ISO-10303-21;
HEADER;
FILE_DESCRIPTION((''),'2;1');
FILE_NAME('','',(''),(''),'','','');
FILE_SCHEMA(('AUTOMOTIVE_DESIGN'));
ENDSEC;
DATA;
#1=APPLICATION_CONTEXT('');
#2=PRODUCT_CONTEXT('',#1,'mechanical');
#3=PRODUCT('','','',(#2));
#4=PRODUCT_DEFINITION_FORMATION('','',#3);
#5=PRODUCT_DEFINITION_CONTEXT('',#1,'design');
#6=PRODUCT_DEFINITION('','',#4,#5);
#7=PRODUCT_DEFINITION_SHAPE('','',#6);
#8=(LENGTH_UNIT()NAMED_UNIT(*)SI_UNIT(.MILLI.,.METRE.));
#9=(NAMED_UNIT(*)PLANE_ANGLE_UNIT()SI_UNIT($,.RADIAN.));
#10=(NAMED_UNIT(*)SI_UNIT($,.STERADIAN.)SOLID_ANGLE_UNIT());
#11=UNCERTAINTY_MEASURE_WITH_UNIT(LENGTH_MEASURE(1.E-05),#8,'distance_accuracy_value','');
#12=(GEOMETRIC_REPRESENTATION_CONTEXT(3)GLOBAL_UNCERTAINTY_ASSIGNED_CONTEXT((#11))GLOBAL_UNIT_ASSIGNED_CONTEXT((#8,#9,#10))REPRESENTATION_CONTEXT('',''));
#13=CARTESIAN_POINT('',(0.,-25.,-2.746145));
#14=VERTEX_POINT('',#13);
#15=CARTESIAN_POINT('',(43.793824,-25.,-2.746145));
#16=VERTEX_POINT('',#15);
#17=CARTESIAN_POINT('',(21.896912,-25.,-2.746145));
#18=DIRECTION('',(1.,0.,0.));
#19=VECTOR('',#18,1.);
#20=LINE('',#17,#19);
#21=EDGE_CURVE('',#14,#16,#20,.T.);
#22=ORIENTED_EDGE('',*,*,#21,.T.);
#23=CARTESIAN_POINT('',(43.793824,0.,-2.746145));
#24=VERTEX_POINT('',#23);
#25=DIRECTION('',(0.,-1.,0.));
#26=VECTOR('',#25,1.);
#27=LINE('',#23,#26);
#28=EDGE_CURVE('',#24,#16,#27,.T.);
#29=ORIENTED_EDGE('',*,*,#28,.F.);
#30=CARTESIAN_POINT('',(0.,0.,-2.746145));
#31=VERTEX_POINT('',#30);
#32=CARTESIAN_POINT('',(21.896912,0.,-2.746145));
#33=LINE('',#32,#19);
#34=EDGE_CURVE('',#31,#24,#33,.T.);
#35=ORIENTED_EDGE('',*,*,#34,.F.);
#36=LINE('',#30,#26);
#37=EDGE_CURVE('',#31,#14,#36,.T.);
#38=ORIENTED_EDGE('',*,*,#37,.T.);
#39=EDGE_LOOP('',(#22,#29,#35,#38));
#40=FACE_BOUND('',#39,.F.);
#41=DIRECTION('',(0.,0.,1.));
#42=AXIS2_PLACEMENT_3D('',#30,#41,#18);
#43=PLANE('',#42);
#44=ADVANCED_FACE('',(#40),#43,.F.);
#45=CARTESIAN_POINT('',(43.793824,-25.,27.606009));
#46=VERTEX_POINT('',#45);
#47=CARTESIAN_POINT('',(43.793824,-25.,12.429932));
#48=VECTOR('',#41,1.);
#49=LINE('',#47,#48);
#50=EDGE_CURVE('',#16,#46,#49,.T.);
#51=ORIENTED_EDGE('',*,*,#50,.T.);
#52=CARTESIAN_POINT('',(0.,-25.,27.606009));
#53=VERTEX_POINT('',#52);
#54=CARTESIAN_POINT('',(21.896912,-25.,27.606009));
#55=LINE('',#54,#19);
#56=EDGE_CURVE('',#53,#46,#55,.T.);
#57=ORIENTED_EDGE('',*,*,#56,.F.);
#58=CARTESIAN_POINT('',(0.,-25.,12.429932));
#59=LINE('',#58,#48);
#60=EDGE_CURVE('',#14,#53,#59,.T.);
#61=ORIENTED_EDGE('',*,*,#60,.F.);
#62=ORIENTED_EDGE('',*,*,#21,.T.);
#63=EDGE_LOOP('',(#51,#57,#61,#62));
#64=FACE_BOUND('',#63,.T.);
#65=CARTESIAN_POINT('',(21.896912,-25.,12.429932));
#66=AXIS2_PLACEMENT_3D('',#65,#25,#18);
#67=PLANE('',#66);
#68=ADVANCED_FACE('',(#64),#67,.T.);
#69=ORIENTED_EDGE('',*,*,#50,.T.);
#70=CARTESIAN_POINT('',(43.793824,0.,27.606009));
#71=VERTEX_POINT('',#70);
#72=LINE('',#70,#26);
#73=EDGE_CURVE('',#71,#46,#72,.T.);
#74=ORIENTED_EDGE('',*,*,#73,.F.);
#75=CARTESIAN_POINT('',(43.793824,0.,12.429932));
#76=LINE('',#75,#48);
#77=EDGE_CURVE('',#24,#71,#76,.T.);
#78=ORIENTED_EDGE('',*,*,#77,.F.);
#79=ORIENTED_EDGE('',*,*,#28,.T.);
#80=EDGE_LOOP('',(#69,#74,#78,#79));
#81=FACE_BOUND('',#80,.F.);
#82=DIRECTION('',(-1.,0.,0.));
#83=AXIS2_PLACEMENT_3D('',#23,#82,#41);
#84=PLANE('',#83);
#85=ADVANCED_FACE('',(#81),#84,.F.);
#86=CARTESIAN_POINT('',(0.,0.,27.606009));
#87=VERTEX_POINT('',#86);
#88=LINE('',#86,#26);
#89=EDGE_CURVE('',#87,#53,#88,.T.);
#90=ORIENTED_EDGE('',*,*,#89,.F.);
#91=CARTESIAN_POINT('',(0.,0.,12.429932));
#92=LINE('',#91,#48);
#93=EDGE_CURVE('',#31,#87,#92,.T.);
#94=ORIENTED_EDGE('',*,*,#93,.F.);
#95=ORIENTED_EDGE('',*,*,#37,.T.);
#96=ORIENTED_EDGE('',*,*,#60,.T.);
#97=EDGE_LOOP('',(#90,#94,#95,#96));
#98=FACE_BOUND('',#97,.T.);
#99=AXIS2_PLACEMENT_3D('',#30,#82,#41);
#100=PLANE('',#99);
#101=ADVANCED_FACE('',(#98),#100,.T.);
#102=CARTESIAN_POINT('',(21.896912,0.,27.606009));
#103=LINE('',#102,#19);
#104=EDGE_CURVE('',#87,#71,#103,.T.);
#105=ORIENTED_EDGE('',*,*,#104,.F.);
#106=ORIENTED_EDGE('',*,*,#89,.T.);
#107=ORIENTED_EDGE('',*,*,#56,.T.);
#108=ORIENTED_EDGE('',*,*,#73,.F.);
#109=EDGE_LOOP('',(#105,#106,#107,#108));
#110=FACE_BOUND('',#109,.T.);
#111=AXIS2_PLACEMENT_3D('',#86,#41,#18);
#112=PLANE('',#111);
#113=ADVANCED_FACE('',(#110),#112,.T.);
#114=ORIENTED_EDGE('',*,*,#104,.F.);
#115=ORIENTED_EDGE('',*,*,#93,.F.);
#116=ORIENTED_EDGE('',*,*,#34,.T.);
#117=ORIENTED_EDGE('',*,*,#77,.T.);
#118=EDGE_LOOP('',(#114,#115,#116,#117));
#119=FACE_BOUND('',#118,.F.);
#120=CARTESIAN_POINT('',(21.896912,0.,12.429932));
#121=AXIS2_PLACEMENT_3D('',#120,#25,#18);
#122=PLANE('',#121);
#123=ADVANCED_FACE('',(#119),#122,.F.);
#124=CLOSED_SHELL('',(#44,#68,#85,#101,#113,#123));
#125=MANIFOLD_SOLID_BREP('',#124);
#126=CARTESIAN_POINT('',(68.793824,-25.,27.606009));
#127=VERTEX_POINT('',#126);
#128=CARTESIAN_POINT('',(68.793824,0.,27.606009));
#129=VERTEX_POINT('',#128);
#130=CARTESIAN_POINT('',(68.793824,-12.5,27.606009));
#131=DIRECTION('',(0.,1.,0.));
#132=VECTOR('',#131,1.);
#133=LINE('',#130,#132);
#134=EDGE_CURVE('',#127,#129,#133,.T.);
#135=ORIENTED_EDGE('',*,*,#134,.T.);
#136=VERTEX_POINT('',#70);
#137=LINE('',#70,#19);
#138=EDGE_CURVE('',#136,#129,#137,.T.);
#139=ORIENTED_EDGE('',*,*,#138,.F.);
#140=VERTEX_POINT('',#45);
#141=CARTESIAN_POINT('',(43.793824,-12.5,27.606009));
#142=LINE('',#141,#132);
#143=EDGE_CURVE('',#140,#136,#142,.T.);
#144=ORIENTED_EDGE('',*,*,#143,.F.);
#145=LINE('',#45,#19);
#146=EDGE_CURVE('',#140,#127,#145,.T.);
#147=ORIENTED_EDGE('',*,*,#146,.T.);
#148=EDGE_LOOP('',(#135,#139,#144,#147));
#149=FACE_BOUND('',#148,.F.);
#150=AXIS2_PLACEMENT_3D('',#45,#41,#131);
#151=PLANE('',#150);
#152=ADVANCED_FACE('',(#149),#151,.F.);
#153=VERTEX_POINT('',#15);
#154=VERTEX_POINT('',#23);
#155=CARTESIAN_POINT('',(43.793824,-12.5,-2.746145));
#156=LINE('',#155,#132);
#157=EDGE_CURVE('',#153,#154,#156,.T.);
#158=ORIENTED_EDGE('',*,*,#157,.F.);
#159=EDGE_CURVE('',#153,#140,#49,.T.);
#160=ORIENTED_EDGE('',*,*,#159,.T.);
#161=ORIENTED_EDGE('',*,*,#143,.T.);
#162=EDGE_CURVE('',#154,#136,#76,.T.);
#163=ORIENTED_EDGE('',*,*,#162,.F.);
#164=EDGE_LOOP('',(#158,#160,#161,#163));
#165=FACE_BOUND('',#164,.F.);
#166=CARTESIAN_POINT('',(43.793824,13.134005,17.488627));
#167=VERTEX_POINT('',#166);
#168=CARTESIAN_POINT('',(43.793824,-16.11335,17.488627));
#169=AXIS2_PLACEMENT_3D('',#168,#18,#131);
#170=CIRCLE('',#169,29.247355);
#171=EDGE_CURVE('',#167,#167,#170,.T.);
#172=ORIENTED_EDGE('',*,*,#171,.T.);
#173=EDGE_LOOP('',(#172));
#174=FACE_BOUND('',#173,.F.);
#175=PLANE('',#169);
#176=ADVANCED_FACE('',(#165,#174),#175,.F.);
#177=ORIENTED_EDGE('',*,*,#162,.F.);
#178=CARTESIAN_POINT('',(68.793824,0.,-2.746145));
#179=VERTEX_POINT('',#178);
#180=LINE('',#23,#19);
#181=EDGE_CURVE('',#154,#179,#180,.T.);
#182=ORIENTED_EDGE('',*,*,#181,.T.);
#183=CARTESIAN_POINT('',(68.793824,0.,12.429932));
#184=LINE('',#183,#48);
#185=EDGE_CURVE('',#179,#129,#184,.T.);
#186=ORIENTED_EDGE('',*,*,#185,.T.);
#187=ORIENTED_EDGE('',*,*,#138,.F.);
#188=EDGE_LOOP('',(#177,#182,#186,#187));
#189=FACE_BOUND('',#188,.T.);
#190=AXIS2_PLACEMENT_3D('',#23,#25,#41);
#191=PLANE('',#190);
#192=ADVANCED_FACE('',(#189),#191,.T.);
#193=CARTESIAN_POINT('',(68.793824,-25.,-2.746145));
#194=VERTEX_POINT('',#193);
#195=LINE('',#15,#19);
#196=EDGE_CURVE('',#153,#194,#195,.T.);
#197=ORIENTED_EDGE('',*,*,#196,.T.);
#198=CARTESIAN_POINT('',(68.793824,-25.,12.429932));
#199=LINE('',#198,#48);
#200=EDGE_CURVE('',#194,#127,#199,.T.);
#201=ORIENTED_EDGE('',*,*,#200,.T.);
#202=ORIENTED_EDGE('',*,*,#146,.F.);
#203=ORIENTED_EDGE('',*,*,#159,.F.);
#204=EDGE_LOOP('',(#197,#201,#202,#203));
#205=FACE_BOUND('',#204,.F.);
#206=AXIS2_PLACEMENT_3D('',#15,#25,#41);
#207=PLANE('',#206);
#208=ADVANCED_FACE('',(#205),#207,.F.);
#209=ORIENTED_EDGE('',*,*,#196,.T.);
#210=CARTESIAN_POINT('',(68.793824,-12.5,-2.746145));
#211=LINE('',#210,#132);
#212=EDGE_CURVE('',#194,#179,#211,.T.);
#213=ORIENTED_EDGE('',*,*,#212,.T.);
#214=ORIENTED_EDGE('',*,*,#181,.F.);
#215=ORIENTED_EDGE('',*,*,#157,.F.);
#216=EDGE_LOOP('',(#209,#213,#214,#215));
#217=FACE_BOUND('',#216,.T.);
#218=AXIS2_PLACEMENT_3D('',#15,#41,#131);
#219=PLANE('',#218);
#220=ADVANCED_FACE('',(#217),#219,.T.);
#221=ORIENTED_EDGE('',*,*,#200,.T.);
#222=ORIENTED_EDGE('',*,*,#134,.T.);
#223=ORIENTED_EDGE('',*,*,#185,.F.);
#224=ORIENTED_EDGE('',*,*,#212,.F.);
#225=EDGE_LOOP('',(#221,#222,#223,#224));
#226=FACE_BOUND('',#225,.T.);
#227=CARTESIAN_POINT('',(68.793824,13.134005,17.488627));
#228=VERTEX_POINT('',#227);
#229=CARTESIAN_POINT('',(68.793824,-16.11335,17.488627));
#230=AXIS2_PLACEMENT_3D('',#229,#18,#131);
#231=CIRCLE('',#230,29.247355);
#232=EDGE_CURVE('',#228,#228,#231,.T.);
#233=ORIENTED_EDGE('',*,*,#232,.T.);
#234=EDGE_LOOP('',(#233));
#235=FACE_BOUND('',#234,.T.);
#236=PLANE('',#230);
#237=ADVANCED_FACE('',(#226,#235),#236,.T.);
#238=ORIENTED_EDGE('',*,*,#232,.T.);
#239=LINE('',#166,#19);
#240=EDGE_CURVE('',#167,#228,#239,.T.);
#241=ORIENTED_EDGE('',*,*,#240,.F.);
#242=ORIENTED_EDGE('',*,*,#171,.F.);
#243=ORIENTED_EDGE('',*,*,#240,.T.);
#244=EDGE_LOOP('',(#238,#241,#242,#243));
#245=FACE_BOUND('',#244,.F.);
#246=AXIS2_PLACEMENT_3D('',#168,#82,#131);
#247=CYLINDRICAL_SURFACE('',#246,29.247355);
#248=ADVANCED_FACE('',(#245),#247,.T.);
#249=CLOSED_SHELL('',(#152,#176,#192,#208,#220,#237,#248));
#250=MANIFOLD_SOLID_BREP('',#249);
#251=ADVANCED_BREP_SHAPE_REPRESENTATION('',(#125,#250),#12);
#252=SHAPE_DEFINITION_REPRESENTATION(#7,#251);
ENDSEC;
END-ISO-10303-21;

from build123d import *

# Parameters (mm, degrees)
F0_W     = 43.793824
F0_H     = 30.352155
F1_DEPTH = 25
F2_R     = 29.247355
F2_W     = 25
F2_H     = 30.352155
F3_DEPTH = 25


with BuildPart() as f1:
    # F0 (on Front) → F1 (new body)
    with BuildSketch(Plane.XZ):
        with Locations((21.896912, 12.429932)):
            Rectangle(F0_W, F0_H)
    extrude(amount=F1_DEPTH)


with BuildPart() as f3:
    # F2 (on face) → F3 (new body)
    with BuildSketch(Plane.YZ.offset(43.793824)):
        with Locations((-16.11335, 17.488627)):
            Circle(F2_R)
        with Locations((-12.5, 12.429932)):
            Rectangle(F2_W, F2_H, mode=Mode.SUBTRACT)
    extrude(amount=F3_DEPTH)


solid = Compound([f1.part, f3.part])
